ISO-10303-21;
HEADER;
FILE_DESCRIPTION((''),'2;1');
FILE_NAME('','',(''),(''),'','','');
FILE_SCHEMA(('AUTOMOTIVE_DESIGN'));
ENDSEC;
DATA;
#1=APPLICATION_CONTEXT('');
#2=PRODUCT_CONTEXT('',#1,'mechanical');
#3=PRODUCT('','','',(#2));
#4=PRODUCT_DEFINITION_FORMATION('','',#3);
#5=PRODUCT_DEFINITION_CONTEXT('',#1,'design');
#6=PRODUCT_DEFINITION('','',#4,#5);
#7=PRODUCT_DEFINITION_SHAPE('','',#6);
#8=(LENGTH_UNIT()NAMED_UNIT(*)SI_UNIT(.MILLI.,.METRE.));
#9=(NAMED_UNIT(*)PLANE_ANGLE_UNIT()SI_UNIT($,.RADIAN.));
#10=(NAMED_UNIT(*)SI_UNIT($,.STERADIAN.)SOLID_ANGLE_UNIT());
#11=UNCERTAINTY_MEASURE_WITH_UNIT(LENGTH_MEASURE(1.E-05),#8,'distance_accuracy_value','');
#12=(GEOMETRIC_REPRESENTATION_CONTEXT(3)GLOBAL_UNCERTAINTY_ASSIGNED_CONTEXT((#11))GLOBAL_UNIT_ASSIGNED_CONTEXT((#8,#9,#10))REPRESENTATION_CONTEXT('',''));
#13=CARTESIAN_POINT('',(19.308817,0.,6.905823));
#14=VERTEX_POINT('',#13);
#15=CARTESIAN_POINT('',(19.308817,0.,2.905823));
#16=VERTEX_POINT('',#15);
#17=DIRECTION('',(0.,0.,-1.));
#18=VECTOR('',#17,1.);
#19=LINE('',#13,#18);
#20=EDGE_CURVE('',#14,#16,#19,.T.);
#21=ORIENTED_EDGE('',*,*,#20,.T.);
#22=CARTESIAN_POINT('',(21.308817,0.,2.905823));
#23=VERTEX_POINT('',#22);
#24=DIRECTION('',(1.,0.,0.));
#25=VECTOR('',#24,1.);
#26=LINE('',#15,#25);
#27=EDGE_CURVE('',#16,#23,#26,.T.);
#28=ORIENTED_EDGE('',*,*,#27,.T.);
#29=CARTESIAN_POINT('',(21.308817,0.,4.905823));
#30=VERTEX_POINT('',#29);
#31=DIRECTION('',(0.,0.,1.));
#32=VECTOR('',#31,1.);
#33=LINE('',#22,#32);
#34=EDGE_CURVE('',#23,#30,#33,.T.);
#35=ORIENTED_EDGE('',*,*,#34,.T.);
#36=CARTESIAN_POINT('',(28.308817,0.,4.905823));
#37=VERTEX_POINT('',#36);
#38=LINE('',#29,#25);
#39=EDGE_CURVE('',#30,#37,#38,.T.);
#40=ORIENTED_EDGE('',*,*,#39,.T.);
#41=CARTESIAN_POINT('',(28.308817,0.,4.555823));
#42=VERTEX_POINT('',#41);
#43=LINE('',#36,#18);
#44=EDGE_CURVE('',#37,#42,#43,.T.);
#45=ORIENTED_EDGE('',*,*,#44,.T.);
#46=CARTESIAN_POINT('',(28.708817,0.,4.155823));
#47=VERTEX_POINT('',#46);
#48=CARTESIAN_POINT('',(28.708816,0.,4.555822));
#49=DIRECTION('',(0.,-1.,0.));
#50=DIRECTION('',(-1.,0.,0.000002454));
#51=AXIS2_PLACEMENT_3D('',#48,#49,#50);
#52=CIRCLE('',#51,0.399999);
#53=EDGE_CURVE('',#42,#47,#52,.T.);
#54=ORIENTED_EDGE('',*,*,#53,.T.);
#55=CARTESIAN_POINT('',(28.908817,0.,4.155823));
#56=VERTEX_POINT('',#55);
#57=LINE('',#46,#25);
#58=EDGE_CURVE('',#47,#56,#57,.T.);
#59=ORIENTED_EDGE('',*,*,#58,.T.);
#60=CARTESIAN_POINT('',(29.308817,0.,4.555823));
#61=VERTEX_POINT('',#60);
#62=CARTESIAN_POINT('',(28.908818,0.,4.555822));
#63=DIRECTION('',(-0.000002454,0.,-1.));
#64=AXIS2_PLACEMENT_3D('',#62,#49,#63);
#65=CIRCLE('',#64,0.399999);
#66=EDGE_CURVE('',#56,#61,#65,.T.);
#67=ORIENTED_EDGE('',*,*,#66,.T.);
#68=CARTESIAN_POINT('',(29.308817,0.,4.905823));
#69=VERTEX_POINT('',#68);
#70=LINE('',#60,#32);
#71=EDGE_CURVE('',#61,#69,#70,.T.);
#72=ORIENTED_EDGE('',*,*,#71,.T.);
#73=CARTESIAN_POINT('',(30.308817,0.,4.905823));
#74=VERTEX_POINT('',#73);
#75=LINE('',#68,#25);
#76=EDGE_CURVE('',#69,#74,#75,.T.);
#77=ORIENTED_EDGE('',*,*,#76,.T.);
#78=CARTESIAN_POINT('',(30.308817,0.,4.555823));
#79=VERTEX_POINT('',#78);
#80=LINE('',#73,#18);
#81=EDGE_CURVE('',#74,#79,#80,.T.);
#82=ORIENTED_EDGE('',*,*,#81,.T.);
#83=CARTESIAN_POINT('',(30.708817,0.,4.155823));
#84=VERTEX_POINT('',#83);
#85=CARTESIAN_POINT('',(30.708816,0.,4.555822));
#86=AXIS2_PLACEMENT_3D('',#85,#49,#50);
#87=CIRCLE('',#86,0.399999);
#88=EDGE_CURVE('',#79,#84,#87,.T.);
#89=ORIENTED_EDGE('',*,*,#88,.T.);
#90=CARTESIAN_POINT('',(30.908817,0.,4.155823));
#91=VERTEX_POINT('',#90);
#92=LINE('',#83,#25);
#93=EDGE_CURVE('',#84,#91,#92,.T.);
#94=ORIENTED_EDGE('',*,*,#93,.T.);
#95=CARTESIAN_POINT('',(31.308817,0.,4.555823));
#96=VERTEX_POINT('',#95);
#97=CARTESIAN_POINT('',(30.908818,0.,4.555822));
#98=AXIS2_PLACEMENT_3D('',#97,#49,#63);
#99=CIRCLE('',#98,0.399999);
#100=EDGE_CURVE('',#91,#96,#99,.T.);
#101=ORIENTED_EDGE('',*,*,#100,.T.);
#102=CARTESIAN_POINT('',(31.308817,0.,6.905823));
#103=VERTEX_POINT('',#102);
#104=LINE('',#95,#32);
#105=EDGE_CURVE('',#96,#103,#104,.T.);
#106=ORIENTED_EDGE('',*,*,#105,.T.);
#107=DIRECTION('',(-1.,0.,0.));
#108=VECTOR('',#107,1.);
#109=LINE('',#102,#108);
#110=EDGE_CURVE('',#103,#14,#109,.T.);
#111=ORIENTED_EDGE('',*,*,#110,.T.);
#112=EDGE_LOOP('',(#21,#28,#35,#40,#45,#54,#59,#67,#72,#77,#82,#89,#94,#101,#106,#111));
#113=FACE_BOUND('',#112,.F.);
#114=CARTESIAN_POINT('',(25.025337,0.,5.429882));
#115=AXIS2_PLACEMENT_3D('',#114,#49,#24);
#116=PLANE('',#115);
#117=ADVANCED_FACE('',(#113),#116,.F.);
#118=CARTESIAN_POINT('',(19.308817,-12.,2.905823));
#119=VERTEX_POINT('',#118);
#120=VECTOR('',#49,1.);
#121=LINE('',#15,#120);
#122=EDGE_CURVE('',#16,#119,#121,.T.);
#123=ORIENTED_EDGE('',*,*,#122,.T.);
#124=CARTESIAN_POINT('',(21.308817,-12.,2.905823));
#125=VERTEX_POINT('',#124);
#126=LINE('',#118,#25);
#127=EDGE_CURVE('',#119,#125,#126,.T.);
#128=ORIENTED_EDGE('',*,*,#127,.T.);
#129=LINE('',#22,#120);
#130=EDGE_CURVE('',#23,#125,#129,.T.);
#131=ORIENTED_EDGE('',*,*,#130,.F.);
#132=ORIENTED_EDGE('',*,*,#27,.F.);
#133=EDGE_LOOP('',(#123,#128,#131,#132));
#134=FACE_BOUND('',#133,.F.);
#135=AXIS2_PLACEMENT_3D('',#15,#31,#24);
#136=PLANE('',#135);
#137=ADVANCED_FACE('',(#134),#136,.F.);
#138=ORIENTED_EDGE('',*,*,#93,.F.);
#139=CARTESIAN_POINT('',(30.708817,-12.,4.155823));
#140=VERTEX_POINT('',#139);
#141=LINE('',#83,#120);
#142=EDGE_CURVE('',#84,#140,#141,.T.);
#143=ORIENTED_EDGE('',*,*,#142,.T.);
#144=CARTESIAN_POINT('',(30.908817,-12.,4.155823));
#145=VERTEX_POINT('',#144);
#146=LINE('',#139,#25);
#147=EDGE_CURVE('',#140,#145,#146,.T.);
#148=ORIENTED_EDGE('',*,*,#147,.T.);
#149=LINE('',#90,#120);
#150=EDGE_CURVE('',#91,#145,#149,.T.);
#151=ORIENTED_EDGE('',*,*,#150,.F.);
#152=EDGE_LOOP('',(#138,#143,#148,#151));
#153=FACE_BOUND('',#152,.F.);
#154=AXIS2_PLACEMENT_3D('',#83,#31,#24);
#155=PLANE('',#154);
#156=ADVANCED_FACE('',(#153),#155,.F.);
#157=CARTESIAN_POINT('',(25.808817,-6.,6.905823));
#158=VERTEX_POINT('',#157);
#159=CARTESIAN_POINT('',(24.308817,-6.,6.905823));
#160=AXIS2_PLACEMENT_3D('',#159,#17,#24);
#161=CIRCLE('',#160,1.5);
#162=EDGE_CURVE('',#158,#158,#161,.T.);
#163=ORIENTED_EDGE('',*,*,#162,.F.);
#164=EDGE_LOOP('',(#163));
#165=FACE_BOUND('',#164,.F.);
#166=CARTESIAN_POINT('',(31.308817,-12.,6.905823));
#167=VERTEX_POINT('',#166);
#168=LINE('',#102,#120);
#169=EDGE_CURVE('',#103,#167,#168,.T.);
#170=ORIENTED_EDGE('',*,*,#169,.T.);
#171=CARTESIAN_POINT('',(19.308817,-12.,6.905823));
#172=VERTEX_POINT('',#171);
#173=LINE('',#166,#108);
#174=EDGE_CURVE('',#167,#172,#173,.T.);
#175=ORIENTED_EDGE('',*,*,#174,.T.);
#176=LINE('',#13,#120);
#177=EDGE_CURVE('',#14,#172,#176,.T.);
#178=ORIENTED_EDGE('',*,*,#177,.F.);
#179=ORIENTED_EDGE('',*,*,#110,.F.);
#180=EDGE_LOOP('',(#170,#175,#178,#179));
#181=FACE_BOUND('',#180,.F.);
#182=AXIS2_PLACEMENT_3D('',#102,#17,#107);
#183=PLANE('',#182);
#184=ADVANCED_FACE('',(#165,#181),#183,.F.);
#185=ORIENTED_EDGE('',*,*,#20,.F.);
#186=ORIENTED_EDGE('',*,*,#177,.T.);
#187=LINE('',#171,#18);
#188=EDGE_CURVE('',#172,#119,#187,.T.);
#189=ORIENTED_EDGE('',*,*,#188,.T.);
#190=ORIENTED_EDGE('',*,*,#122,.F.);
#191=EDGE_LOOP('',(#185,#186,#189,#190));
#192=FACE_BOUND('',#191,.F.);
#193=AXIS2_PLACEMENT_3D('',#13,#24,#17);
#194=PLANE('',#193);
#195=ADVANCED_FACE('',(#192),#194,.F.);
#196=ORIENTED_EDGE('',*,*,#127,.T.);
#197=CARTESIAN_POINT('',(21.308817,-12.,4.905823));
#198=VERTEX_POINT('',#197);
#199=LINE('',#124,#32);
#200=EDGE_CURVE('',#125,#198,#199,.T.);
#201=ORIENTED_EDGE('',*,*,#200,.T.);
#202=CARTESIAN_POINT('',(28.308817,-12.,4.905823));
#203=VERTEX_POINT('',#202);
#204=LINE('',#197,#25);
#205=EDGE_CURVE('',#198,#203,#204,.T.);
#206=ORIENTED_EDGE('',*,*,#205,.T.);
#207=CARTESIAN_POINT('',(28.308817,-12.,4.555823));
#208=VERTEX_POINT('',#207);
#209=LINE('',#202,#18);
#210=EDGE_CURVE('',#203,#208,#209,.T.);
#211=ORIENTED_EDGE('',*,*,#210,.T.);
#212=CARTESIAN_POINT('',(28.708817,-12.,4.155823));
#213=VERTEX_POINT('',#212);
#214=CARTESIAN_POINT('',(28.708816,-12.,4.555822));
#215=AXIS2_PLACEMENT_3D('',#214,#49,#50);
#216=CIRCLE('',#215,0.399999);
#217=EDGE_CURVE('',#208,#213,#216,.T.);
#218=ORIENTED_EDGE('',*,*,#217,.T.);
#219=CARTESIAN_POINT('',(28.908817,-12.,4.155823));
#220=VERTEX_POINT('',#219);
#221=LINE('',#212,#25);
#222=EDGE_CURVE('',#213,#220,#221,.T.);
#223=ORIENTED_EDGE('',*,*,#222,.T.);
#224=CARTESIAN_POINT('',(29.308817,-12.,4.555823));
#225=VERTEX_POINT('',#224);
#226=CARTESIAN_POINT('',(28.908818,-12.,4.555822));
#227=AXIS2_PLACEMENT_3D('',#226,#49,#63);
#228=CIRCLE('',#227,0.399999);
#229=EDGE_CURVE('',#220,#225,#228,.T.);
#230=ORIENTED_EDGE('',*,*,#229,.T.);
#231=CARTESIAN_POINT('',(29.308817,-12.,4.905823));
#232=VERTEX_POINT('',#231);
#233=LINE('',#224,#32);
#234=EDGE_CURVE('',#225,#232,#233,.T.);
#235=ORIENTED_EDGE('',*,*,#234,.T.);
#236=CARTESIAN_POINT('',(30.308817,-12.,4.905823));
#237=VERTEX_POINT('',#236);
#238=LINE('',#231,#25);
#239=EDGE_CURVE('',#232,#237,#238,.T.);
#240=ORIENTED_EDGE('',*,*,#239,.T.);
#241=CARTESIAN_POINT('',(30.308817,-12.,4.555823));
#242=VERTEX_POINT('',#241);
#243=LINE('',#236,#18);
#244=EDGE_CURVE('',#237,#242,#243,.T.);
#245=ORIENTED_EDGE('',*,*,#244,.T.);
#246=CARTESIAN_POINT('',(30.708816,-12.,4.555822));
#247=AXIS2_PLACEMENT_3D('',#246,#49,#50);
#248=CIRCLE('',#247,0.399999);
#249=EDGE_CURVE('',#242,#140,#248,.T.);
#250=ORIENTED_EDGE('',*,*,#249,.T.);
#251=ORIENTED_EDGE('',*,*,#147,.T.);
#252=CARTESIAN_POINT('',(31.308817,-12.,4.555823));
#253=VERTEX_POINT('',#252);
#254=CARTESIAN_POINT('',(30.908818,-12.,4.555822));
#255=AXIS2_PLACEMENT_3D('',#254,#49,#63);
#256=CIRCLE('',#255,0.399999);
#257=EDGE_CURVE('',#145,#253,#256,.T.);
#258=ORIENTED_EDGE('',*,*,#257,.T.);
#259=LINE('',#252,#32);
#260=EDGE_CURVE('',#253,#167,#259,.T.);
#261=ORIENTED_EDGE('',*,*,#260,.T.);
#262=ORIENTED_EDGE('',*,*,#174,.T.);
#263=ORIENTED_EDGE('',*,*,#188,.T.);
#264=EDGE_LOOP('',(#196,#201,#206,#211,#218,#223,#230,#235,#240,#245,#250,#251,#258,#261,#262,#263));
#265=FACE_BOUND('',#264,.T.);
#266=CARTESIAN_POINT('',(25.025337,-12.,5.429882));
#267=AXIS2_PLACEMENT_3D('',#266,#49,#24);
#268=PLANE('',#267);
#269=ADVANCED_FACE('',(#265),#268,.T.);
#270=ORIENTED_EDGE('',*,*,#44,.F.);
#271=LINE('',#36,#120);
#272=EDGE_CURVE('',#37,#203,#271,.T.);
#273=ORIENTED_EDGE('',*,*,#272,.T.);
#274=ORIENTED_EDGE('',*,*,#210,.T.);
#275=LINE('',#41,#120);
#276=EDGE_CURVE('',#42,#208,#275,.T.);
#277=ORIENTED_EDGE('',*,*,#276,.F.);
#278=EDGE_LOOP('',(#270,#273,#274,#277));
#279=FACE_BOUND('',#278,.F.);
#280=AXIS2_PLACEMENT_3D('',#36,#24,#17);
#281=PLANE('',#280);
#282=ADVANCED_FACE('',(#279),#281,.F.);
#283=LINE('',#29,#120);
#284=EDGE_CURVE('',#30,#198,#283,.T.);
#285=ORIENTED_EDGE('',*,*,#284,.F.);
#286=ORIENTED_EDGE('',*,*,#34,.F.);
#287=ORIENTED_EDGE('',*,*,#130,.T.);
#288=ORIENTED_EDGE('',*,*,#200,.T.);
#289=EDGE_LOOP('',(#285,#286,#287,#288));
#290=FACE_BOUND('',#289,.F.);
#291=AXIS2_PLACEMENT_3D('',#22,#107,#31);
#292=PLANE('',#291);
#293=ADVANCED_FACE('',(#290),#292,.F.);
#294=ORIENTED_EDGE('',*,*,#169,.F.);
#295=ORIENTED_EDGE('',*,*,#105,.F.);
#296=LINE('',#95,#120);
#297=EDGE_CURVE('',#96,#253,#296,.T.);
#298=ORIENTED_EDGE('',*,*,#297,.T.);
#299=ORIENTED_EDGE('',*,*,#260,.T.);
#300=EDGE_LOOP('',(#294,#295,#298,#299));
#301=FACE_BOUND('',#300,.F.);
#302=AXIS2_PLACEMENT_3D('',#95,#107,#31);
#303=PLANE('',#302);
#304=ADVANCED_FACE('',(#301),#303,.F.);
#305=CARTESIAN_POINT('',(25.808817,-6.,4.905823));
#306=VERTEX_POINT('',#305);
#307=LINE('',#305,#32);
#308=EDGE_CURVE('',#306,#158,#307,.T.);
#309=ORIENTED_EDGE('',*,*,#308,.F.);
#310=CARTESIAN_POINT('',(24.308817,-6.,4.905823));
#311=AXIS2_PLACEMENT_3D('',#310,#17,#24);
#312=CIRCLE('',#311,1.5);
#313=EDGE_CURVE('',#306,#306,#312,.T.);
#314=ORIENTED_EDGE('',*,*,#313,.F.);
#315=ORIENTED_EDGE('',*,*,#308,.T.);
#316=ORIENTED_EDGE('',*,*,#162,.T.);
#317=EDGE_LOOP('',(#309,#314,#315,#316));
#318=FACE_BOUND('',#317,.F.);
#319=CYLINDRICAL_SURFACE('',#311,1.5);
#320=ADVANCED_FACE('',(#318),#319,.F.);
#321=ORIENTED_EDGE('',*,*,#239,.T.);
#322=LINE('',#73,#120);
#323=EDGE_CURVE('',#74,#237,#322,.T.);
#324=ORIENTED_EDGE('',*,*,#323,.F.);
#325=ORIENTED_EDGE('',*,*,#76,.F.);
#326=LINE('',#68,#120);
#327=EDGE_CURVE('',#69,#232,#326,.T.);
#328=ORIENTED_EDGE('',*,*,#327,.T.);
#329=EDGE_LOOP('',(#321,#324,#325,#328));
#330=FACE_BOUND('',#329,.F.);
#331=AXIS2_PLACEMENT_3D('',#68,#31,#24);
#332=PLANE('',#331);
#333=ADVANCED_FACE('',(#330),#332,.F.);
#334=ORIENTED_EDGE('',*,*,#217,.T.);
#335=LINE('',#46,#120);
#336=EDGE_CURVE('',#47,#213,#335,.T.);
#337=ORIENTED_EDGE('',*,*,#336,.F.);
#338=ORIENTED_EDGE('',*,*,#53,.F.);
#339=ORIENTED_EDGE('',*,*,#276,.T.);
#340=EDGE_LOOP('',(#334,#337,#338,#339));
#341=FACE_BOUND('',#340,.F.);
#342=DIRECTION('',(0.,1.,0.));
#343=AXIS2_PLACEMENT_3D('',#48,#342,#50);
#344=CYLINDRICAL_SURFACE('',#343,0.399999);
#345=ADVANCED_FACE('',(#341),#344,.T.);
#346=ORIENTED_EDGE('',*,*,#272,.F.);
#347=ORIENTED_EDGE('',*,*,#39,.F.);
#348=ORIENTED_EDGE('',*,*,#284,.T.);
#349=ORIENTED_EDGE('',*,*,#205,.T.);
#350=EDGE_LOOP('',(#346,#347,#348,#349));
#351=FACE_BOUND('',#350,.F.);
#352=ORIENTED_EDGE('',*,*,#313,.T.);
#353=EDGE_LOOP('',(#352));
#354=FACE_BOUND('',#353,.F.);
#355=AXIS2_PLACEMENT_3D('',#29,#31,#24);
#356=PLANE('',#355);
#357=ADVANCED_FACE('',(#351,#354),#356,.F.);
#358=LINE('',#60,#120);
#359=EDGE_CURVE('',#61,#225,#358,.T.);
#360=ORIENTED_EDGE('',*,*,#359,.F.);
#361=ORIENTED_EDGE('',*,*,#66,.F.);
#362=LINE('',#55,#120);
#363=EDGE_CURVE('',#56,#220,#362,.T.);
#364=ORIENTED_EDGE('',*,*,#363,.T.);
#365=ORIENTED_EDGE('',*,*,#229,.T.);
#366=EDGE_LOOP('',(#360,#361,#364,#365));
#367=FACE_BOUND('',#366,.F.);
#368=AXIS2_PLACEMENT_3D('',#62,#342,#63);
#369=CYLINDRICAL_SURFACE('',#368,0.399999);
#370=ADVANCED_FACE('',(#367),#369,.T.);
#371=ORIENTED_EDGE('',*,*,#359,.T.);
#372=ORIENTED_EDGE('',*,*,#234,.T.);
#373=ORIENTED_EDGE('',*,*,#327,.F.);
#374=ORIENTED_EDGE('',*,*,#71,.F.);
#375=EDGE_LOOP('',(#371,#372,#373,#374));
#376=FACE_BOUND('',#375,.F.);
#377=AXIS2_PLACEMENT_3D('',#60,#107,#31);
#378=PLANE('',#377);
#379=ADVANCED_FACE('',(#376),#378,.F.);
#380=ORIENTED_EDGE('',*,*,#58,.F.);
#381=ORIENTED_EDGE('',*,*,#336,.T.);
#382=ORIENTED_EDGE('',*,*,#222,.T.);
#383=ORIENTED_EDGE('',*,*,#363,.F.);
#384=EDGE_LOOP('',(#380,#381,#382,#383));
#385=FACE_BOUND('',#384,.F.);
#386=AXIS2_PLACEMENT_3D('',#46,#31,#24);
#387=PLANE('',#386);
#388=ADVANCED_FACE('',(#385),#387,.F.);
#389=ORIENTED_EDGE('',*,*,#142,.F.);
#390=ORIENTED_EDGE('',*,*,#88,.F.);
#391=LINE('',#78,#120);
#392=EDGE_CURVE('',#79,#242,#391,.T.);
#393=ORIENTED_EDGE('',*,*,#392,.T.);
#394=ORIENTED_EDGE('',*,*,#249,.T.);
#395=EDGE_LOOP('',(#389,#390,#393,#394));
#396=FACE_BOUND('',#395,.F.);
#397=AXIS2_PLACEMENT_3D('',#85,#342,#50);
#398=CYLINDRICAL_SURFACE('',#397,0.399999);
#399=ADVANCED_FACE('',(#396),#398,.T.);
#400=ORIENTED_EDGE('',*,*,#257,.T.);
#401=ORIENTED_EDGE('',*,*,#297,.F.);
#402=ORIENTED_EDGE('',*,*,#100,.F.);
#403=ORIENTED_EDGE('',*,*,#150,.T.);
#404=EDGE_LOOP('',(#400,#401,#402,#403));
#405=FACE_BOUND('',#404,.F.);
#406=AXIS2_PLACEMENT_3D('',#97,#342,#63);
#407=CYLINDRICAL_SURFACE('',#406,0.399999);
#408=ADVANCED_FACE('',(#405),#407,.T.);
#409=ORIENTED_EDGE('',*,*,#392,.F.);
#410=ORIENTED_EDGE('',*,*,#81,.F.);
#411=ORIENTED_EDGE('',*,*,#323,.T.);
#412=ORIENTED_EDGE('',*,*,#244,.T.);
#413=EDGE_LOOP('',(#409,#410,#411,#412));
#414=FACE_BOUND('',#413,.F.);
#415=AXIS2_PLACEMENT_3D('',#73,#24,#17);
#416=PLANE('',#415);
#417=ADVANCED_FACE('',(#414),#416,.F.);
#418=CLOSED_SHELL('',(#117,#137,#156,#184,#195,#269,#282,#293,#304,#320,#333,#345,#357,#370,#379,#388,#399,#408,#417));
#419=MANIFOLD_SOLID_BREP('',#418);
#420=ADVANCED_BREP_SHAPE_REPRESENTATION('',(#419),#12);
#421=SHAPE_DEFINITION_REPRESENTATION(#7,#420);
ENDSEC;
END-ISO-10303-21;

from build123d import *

# Parameters (mm, degrees)
F1_DEPTH = 12
F2_R     = 1.5
F3_DEPTH = 25


with BuildPart() as f1:
    # F0 (on Front) → F1 (new body)
    with BuildSketch(Plane.XZ):
        with BuildLine():
            Line((31.308817, 6.905823), (19.308817, 6.905823))
            Line((19.308817, 6.905823), (19.308817, 2.905823))
            Line((19.308817, 2.905823), (21.308817, 2.905823))
            Line((21.308817, 2.905823), (21.308817, 4.905823))
            Line((21.308817, 4.905823), (28.308817, 4.905823))
            Line((28.308817, 4.905823), (28.308817, 4.555823))
            ThreePointArc((28.308817, 4.555823), (28.425974, 4.27298), (28.708817, 4.155823))
            Line((28.708817, 4.155823), (28.908817, 4.155823))
            ThreePointArc((28.908817, 4.155823), (29.19166, 4.27298), (29.308817, 4.555823))
            Line((29.308817, 4.555823), (29.308817, 4.905823))
            Line((29.308817, 4.905823), (30.308817, 4.905823))
            Line((30.308817, 4.905823), (30.308817, 4.555823))
            ThreePointArc((30.308817, 4.555823), (30.425974, 4.27298), (30.708817, 4.155823))
            Line((30.708817, 4.155823), (30.908817, 4.155823))
            ThreePointArc((30.908817, 4.155823), (31.19166, 4.27298), (31.308817, 4.555823))
            Line((31.308817, 4.555823), (31.308817, 5.32134))
            Line((31.308817, 5.32134), (31.308817, 5.390306))
            Line((31.308817, 5.390306), (31.308817, 6.905823))
        make_face()
    extrude(amount=F1_DEPTH)

    # F2 (on face) → F3 (cut)
    with BuildSketch(Plane(origin=(0, 0, 4.905823), x_dir=(1, 0, 0), z_dir=(0, 0, -1))):
        with Locations((24.308817, 6)):
            Circle(F2_R)
    extrude(amount=-F3_DEPTH, mode=Mode.SUBTRACT)


solid = f1.part
